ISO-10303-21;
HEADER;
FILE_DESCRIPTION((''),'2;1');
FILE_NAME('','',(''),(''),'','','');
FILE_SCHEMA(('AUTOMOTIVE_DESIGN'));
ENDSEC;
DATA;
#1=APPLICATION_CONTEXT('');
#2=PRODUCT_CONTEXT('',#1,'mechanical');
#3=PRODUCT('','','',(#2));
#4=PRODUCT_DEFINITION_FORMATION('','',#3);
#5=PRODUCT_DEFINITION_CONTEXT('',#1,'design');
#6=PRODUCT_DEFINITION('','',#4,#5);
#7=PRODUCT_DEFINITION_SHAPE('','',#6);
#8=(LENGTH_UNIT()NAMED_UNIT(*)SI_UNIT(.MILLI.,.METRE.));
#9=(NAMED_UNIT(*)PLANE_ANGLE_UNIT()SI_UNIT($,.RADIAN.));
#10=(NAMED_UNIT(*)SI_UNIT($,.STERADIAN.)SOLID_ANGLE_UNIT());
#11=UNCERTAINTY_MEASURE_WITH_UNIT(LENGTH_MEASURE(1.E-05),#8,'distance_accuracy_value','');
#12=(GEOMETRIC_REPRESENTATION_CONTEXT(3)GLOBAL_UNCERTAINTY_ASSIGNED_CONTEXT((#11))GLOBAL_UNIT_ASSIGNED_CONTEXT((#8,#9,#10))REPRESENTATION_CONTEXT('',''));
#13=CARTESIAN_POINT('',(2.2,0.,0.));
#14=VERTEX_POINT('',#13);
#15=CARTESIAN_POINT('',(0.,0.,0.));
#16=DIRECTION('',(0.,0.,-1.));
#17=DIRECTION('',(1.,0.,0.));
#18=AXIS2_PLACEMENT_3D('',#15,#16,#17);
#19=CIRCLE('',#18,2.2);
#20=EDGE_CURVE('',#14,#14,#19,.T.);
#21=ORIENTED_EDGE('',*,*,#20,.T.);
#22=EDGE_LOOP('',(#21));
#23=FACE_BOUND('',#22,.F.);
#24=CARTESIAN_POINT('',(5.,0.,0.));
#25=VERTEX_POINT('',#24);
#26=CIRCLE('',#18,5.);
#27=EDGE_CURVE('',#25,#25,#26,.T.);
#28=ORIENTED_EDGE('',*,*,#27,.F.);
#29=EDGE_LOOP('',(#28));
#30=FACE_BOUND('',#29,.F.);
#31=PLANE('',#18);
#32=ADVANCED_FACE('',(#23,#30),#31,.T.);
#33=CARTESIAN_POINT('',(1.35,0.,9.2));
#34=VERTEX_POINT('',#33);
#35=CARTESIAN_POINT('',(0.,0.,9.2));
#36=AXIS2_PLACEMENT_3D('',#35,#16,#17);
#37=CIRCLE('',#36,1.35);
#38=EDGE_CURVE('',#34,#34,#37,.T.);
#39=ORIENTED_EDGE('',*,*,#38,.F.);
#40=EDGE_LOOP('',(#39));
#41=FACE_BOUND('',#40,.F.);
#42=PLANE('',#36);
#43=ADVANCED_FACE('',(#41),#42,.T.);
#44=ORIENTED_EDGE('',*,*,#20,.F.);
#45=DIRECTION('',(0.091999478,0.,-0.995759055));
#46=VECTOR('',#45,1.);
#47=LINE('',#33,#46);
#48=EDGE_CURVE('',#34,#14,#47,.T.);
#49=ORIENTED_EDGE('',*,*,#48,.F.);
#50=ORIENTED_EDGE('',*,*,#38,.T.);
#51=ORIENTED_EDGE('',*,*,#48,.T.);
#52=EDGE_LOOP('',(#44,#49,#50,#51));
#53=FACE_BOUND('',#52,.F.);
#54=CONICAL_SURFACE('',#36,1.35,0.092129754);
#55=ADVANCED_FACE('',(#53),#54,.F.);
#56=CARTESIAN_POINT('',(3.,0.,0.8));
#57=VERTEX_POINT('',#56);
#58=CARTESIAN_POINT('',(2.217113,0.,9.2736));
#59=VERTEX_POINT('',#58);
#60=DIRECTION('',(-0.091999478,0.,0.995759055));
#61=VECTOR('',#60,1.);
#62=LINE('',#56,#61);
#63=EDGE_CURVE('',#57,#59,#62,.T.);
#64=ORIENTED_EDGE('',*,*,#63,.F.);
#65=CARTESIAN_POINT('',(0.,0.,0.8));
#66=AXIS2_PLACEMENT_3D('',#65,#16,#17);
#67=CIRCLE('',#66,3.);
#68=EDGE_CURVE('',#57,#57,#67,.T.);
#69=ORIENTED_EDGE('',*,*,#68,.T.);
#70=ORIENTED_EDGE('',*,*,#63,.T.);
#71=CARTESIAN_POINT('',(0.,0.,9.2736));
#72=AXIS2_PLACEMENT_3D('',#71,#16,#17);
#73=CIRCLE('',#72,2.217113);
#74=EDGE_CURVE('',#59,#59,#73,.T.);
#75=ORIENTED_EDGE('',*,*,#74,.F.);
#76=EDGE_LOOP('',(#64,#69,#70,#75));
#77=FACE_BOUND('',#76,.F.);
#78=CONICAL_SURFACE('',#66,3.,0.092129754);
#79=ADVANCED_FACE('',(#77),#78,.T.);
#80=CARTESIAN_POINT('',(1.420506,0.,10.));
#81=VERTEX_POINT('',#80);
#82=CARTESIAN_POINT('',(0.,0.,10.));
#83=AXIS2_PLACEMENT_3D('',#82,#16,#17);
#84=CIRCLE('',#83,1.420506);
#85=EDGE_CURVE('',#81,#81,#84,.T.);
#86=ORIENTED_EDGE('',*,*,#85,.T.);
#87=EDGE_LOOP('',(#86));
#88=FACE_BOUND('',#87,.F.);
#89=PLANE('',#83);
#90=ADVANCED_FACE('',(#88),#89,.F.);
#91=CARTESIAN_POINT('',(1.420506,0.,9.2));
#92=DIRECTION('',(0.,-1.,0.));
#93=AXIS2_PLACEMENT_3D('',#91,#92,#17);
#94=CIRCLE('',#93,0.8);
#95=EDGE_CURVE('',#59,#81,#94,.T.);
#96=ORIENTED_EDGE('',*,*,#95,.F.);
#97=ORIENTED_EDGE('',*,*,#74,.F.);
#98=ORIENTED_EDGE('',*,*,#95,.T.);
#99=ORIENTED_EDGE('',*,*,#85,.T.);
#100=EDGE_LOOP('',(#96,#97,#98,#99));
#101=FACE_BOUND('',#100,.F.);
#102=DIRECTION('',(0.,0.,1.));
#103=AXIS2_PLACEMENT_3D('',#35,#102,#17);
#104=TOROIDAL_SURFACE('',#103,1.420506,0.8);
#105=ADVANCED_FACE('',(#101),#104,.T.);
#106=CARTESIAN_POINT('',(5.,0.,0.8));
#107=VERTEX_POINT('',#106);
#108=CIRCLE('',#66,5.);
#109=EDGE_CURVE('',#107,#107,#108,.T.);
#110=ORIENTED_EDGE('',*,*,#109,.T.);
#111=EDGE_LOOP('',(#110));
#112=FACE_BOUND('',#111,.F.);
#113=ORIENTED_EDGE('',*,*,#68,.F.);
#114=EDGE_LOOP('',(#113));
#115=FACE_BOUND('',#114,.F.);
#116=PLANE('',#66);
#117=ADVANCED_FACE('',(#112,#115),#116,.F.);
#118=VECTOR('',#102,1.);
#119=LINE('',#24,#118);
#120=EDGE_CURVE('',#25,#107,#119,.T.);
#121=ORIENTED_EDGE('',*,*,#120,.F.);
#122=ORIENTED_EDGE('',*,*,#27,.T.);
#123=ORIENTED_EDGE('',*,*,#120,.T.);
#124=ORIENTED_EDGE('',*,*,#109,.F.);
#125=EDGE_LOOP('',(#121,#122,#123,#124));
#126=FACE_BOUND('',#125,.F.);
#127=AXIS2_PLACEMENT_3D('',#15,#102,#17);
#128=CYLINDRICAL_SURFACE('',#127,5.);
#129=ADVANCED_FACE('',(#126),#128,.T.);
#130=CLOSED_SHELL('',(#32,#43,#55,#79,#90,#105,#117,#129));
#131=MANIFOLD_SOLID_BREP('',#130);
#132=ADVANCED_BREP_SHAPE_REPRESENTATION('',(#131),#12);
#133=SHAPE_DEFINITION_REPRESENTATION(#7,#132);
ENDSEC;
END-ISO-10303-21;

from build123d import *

# Parameters (mm, degrees)
F2_R = 0.8


with BuildPart() as f1:
    # F0 (on Front) → F1 (revolve)
    with BuildSketch(Plane.XZ):
        Polygon((2.2, 0), (5, 0), (5, 0.8), (3, 0.8), (2.15, 10), (0, 10), (0, 9.2), (1.35, 9.2), align=None)
    revolve(axis=Axis((0, 0, 4.745889), (0, 0, -1)))

    # F2
    f2_edges = [f1.edges().sort_by_distance(p)[0] for p in [
        (-2.15, 0, 10),
    ]]
    fillet(f2_edges, radius=F2_R)


solid = f1.part
